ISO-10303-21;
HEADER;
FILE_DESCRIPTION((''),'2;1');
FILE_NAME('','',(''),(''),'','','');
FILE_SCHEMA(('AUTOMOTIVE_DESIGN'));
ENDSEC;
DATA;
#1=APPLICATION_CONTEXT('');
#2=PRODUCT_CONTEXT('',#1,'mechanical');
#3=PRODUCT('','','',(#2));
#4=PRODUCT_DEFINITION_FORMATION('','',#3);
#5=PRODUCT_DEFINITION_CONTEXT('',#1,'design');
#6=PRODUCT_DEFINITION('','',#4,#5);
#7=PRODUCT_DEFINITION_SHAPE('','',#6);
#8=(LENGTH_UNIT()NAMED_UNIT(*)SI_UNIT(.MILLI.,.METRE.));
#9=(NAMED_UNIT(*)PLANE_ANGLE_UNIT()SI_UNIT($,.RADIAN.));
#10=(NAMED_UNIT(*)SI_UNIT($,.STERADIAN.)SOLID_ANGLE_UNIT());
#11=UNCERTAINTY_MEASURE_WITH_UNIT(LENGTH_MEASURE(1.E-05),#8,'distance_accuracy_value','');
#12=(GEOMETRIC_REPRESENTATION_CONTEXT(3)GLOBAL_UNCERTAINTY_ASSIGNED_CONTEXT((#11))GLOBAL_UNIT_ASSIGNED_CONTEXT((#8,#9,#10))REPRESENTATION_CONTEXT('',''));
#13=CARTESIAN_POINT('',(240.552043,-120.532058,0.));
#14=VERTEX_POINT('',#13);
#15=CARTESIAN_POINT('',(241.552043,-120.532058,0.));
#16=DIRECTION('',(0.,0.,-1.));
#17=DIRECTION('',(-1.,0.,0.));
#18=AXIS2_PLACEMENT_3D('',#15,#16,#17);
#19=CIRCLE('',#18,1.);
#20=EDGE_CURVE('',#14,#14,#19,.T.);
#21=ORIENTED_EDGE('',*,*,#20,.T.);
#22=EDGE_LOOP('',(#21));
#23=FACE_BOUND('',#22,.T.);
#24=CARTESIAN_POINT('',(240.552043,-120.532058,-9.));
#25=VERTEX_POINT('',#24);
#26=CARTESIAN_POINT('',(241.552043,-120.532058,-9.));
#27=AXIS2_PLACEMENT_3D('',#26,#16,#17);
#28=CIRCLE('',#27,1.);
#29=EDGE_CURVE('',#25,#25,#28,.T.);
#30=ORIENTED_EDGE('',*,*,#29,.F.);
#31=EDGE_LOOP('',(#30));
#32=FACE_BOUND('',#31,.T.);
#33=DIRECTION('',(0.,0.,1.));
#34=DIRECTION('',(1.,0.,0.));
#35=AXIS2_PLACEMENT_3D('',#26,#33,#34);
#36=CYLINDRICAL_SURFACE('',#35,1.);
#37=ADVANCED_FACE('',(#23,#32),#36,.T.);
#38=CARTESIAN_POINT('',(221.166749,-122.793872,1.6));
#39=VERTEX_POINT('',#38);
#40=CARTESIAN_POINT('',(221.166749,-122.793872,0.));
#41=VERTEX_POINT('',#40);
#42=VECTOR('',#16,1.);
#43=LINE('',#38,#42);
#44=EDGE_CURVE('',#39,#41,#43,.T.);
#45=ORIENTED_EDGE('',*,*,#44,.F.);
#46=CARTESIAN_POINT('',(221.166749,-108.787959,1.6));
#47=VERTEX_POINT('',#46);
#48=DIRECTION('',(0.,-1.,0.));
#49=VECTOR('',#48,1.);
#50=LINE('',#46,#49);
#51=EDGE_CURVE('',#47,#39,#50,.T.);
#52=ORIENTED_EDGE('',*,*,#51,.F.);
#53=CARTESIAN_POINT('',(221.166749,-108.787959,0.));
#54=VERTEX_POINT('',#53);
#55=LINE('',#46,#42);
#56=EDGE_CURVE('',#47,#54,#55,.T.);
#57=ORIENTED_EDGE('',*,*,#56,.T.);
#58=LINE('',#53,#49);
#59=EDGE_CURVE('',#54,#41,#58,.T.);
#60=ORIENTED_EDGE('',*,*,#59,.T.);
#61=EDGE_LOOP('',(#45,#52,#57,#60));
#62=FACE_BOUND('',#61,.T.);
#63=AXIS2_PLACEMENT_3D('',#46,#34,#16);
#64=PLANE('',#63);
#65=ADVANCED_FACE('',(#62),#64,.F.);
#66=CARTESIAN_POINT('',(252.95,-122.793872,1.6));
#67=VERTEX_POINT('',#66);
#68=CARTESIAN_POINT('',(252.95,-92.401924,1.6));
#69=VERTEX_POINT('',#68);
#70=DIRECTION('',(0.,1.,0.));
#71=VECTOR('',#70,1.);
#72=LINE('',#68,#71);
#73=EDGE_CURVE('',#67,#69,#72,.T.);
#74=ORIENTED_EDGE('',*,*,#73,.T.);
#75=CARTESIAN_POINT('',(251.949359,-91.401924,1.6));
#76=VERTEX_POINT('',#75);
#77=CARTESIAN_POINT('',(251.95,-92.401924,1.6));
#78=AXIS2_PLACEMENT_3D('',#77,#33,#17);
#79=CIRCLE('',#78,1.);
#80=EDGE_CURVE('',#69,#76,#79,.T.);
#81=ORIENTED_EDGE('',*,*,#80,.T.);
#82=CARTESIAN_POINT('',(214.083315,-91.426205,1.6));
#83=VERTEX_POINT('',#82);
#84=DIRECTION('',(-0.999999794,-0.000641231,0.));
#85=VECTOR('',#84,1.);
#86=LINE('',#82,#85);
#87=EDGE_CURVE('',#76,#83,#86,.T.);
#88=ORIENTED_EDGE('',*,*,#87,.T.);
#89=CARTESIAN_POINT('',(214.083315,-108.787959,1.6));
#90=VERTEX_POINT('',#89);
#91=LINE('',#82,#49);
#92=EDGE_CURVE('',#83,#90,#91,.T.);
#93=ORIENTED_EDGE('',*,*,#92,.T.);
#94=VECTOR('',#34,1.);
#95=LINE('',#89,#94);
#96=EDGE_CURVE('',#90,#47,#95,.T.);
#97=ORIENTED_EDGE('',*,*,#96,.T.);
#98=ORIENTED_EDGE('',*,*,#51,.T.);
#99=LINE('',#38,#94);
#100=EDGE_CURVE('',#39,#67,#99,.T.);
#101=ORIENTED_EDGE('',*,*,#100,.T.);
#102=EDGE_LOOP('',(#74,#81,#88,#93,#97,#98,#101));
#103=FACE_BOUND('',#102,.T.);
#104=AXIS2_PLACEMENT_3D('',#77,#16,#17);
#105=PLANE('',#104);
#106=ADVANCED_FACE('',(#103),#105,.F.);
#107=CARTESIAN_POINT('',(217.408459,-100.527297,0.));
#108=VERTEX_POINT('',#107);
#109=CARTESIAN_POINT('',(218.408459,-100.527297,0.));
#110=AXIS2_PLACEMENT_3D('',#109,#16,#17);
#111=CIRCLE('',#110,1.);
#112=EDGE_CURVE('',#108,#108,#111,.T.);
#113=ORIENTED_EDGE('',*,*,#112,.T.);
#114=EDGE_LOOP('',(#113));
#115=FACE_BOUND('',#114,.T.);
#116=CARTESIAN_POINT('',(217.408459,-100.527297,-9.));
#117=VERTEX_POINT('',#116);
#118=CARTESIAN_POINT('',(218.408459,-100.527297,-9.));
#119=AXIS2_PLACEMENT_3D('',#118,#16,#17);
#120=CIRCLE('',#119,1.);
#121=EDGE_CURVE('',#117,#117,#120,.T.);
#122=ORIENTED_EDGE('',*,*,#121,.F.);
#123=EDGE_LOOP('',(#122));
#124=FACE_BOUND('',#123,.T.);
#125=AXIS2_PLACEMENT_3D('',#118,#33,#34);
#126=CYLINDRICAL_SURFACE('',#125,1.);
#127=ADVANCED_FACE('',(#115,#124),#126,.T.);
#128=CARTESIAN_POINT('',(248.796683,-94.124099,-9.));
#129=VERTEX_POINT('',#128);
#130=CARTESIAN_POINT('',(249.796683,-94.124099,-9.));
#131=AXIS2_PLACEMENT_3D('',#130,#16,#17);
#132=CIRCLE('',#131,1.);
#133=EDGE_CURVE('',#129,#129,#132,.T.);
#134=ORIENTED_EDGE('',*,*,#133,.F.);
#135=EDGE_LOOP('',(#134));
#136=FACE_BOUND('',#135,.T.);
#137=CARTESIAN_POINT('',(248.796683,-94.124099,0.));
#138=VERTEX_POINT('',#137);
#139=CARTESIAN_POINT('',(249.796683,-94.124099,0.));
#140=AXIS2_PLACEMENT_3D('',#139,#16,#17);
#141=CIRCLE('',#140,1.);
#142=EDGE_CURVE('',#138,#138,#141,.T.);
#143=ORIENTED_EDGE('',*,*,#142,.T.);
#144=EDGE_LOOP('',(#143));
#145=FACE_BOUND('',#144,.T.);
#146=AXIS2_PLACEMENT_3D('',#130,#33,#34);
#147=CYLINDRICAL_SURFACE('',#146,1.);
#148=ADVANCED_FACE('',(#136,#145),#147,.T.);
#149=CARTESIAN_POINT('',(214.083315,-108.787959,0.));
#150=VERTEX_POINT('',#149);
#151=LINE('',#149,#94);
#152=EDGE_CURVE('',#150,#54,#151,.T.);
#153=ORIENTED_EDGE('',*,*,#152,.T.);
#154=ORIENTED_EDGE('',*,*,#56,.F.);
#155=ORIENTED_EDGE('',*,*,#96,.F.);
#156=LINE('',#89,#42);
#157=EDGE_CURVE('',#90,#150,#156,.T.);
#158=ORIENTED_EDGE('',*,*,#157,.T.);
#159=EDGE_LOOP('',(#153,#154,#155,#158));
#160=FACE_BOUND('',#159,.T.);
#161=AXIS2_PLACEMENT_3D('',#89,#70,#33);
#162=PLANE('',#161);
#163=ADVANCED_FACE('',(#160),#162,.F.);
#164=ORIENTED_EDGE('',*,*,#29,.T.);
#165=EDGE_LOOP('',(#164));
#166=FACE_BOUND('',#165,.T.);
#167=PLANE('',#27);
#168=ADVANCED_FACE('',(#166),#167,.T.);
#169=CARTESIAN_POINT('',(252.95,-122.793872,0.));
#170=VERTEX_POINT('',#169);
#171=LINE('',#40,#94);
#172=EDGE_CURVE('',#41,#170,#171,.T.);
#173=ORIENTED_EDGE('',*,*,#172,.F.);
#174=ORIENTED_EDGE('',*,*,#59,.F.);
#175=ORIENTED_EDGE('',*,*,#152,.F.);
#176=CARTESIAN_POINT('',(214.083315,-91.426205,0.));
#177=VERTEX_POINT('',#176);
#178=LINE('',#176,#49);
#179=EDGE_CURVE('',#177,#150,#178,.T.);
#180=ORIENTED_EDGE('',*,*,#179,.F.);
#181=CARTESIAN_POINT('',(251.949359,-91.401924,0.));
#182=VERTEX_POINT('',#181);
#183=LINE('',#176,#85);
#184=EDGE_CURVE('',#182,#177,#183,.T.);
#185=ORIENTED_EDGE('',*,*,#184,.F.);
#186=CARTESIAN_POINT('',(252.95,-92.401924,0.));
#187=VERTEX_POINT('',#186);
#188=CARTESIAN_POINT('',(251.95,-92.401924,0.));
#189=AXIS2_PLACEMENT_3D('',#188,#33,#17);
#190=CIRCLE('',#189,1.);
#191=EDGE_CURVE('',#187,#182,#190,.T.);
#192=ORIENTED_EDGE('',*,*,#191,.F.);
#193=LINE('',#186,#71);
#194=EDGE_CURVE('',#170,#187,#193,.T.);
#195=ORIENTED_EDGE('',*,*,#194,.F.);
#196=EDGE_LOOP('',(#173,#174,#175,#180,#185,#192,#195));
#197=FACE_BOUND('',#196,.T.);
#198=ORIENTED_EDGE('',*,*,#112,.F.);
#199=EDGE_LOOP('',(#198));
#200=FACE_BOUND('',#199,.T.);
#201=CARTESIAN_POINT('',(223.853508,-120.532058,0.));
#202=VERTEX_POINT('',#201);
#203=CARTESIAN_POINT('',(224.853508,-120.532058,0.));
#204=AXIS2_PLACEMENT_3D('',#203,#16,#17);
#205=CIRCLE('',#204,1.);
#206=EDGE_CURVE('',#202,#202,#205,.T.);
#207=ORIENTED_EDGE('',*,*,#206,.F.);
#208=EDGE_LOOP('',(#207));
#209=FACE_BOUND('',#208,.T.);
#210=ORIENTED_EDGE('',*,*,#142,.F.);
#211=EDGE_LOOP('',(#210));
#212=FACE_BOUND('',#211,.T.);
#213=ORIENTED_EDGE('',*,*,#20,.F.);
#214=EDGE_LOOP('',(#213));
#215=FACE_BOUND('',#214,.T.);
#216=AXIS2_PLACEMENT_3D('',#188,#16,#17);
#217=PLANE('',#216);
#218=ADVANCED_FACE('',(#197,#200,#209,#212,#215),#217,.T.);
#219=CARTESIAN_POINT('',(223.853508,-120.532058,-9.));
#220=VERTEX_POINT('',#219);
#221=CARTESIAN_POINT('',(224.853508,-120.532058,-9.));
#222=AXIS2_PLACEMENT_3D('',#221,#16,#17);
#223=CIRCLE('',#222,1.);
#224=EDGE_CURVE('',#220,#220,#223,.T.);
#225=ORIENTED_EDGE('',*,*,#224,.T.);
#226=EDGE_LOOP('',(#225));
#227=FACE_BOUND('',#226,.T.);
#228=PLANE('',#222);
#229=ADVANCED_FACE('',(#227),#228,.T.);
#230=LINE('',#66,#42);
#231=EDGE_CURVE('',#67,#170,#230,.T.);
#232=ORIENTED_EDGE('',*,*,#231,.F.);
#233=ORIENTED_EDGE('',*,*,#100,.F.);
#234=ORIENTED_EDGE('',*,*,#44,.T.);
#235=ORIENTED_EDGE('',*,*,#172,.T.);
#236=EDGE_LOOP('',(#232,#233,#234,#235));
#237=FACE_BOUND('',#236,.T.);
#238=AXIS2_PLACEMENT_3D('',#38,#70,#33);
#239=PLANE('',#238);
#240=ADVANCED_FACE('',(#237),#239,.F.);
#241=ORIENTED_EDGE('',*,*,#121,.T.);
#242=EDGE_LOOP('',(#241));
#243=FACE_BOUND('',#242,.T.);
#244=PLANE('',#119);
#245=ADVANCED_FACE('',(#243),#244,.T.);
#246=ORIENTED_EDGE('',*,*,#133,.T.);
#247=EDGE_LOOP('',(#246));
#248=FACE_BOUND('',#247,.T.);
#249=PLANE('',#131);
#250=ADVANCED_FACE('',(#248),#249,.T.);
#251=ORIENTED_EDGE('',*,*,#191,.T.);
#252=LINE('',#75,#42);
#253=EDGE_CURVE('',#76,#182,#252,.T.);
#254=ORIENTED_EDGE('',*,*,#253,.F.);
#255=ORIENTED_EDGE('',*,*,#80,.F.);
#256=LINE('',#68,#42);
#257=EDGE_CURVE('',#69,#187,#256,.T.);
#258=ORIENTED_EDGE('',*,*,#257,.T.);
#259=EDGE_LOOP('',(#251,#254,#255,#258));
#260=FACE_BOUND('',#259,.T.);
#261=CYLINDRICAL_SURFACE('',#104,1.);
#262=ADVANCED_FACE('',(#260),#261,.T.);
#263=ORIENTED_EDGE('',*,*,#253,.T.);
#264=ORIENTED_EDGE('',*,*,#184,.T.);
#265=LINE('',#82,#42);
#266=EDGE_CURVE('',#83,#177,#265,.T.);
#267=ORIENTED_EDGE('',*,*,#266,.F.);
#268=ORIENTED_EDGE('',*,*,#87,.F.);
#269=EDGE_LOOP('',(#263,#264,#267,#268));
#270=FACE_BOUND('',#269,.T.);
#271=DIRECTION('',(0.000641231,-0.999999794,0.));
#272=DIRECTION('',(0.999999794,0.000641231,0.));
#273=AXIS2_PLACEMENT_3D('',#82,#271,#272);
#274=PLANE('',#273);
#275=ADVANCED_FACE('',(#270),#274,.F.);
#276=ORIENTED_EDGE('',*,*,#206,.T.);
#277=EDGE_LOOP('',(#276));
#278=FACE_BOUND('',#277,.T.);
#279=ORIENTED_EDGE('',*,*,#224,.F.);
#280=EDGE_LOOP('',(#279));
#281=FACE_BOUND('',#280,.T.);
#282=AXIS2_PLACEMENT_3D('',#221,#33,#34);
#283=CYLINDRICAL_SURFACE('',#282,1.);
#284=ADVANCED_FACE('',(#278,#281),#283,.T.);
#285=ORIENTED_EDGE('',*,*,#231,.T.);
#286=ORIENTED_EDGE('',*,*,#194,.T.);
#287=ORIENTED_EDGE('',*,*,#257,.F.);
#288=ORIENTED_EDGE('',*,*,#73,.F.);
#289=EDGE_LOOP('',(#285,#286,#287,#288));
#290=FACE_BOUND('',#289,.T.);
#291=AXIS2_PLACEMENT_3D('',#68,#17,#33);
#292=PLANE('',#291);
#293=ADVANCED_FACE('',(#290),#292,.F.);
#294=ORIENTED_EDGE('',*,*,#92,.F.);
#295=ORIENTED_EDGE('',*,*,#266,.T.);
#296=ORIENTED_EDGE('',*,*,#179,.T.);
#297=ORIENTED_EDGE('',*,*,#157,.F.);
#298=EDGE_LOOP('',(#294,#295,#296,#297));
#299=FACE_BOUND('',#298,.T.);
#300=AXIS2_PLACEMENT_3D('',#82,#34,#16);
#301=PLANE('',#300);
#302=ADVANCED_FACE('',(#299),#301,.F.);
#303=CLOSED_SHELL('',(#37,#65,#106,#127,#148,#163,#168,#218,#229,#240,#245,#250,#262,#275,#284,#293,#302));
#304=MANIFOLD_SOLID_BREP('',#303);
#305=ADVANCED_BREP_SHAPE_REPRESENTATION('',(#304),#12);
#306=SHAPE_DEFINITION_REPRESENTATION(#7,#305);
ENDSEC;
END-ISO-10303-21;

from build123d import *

# Parameters (mm, degrees)
BOSS_EXTRUDE1_DEPTH = 1.6
SKETCH5_R           = 1
BOSS_EXTRUDE2_DEPTH = 9


with BuildPart() as part:
    # Sketch4 → Boss-Extrude1 (new body)
    with BuildSketch(Plane.XY):
        with BuildLine():
            Line((214.083314686, -91.426205385), (214.083314686, -108.78795934))
            Line((214.083314686, -108.78795934), (221.166748687, -108.78795934))
            Line((221.166748687, -108.78795934), (221.166748687, -122.793871773))
            Line((221.166748687, -122.793871773), (252.95, -122.793871773))
            Line((252.95, -122.793871773), (252.95, -92.4019243))
            ThreePointArc((252.95, -92.4019243), (252.656880102, -91.694590841), (251.949358863, -91.401924489))
            Line((251.949358863, -91.401924489), (214.083314686, -91.426205385))
        make_face()
    extrude(amount=BOSS_EXTRUDE1_DEPTH)

    # Sketch5 → Boss-Extrude2 (add)
    with BuildSketch(Plane(origin=(0, 0, 0), x_dir=(-1, 0, 0), z_dir=(0, 0, -1))):
        with Locations((-224.853507667, -120.53205767)):
            Circle(SKETCH5_R)
        with Locations((-218.408459116, -100.527296583)):
            Circle(SKETCH5_R)
        with Locations((-241.552042549, -120.53205767)):
            Circle(SKETCH5_R)
        with Locations((-249.796682579, -94.124098997)):
            Circle(SKETCH5_R)
    extrude(amount=BOSS_EXTRUDE2_DEPTH)


solid = part.part
